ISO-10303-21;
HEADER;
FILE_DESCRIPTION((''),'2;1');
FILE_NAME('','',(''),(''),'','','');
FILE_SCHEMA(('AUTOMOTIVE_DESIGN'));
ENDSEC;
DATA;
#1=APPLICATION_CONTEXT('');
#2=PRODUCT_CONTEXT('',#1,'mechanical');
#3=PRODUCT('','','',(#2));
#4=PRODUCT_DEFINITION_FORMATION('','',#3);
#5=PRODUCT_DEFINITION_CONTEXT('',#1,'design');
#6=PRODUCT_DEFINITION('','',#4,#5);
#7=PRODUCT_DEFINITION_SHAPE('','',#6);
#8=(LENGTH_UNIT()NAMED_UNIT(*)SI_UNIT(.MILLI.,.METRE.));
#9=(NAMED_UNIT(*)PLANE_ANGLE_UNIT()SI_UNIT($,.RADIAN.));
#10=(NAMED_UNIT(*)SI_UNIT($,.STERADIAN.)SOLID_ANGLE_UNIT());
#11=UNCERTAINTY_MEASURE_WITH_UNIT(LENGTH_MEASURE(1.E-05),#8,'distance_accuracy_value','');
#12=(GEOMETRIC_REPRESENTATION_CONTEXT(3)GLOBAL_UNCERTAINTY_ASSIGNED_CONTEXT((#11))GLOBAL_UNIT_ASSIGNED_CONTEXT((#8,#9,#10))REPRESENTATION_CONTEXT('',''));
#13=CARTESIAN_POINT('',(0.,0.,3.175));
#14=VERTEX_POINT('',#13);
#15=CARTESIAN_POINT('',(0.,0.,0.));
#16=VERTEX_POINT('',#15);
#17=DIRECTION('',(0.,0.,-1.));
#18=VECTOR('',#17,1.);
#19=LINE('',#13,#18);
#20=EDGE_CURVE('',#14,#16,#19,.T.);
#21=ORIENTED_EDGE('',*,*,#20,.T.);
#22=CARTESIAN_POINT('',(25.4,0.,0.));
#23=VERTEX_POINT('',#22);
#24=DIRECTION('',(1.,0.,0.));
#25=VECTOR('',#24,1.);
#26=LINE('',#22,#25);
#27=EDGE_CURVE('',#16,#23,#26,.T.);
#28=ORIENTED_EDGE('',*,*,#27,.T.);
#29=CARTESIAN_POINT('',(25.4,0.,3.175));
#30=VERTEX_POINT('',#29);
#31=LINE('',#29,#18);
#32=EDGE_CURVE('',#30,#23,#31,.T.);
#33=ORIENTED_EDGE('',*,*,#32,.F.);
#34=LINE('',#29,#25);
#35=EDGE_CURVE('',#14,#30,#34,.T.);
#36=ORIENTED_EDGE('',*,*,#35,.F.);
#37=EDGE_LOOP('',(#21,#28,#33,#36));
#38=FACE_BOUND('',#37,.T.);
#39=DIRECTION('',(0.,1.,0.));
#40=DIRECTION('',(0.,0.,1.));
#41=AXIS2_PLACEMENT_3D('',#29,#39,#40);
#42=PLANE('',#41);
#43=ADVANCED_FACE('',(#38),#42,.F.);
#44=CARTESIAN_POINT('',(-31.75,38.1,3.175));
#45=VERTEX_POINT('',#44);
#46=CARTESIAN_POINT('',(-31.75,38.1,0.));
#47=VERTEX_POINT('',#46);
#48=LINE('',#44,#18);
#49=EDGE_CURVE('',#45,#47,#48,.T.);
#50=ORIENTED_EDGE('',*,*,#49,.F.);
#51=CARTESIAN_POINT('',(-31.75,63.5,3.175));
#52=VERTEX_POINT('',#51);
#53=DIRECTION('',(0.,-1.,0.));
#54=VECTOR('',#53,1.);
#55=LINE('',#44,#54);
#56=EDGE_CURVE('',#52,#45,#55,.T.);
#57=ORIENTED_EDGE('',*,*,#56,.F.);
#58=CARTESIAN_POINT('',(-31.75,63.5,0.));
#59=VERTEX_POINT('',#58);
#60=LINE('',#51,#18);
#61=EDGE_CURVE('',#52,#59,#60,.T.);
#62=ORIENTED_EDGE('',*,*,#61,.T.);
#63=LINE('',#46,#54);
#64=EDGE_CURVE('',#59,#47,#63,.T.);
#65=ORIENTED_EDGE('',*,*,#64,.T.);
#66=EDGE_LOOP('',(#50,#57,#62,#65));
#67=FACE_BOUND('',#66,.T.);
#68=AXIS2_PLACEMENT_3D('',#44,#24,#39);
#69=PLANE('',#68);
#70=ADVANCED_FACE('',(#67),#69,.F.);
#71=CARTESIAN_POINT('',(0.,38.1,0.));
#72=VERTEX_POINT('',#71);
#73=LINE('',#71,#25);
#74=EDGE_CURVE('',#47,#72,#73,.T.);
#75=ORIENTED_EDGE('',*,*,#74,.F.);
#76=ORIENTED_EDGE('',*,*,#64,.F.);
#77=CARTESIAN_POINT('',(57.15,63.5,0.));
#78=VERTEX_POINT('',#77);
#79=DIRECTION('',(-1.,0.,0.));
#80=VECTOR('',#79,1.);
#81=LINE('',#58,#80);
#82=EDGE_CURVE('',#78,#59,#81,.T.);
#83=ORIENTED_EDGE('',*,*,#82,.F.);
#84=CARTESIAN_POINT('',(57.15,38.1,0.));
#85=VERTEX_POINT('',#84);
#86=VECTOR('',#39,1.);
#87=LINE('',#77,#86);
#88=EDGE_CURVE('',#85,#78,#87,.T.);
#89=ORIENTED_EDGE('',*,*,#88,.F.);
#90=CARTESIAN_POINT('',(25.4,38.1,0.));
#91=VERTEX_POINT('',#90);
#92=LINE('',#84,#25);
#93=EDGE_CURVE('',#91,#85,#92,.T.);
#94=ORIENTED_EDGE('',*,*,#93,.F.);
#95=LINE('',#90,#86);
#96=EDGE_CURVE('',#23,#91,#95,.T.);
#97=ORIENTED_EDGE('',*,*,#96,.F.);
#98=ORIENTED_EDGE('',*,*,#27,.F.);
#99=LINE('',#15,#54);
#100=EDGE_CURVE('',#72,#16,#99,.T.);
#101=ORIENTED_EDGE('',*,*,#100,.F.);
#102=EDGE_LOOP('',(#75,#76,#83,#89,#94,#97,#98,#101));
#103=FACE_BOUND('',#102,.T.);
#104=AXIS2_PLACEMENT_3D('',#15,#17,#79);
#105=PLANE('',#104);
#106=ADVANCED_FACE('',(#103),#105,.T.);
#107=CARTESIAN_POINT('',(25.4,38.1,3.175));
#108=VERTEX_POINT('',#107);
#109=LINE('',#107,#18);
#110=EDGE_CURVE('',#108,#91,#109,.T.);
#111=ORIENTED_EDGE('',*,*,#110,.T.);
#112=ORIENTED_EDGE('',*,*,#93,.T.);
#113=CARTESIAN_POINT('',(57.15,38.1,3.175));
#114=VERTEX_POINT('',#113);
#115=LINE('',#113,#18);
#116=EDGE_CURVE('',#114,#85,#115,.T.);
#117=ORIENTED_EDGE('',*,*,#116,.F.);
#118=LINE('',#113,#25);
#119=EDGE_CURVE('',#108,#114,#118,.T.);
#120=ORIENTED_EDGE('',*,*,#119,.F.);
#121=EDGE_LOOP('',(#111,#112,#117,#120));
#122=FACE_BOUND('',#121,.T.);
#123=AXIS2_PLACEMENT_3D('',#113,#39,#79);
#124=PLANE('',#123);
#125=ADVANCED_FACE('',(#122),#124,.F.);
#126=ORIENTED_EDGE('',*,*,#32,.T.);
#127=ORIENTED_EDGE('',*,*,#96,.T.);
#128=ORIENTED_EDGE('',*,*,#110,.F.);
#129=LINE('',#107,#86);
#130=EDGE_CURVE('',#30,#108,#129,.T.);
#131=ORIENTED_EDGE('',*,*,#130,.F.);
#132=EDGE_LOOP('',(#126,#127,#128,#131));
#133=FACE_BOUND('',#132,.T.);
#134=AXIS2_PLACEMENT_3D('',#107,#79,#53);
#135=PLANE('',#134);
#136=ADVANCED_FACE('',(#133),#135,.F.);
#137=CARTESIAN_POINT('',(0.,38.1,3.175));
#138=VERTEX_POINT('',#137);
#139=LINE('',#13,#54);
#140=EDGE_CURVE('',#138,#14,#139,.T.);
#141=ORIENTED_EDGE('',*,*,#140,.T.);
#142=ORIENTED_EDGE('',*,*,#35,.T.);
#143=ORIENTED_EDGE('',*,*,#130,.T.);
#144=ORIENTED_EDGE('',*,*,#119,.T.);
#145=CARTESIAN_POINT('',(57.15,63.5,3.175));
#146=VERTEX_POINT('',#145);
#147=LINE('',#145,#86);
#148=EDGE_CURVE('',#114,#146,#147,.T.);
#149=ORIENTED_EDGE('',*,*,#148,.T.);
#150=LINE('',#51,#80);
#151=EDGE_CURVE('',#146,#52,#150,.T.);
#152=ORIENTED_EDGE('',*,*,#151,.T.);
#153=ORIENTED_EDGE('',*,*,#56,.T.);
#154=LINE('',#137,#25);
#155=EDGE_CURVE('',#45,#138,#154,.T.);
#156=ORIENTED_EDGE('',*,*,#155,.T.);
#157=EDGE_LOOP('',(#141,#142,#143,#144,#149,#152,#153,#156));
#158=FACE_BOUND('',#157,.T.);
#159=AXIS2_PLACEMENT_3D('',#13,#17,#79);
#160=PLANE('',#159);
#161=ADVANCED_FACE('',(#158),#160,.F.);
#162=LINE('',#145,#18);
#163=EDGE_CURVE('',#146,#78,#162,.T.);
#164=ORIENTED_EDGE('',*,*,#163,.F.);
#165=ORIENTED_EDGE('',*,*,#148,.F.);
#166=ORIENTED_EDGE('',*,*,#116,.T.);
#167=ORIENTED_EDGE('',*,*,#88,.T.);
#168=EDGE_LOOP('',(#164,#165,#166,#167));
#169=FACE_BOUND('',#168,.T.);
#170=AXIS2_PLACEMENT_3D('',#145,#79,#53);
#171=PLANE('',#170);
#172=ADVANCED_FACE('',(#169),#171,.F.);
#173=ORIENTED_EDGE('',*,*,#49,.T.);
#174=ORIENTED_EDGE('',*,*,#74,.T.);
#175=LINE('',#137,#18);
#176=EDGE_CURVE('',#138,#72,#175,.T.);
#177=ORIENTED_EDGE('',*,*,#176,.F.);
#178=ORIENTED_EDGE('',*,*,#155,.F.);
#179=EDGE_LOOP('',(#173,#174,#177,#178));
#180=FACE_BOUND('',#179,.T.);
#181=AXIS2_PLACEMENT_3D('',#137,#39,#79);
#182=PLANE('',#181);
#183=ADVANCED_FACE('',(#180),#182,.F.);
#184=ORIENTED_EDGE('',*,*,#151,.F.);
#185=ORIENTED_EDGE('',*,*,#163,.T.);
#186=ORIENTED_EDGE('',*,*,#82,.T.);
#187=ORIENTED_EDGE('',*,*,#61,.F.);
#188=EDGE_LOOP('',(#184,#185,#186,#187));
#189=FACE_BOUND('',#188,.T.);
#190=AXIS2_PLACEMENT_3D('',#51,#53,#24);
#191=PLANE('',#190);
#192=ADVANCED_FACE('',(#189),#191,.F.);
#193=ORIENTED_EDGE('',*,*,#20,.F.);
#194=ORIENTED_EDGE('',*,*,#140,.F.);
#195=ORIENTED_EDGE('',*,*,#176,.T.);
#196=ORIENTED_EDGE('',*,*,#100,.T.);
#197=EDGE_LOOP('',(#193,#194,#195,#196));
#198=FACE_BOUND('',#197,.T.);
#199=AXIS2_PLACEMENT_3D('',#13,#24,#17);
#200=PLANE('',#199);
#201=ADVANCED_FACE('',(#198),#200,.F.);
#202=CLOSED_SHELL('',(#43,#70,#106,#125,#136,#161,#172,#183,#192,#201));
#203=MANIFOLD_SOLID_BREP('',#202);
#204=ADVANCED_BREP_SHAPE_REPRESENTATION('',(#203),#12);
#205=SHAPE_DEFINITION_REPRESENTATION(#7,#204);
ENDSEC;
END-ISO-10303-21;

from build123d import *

# Parameters (mm, degrees)
BOSS_EXTRUDE1_DEPTH = 3.175


with BuildPart() as part:
    # Sketch1 → Boss-Extrude1 (new body)
    with BuildSketch(Plane.XY):
        Polygon((0, 0), (0, 38.1), (-31.75, 38.1), (-31.75, 63.5), (57.15, 63.5), (57.15, 38.1), (25.4, 38.1), (25.4, 0), align=None)
    extrude(amount=BOSS_EXTRUDE1_DEPTH)


solid = part.part
